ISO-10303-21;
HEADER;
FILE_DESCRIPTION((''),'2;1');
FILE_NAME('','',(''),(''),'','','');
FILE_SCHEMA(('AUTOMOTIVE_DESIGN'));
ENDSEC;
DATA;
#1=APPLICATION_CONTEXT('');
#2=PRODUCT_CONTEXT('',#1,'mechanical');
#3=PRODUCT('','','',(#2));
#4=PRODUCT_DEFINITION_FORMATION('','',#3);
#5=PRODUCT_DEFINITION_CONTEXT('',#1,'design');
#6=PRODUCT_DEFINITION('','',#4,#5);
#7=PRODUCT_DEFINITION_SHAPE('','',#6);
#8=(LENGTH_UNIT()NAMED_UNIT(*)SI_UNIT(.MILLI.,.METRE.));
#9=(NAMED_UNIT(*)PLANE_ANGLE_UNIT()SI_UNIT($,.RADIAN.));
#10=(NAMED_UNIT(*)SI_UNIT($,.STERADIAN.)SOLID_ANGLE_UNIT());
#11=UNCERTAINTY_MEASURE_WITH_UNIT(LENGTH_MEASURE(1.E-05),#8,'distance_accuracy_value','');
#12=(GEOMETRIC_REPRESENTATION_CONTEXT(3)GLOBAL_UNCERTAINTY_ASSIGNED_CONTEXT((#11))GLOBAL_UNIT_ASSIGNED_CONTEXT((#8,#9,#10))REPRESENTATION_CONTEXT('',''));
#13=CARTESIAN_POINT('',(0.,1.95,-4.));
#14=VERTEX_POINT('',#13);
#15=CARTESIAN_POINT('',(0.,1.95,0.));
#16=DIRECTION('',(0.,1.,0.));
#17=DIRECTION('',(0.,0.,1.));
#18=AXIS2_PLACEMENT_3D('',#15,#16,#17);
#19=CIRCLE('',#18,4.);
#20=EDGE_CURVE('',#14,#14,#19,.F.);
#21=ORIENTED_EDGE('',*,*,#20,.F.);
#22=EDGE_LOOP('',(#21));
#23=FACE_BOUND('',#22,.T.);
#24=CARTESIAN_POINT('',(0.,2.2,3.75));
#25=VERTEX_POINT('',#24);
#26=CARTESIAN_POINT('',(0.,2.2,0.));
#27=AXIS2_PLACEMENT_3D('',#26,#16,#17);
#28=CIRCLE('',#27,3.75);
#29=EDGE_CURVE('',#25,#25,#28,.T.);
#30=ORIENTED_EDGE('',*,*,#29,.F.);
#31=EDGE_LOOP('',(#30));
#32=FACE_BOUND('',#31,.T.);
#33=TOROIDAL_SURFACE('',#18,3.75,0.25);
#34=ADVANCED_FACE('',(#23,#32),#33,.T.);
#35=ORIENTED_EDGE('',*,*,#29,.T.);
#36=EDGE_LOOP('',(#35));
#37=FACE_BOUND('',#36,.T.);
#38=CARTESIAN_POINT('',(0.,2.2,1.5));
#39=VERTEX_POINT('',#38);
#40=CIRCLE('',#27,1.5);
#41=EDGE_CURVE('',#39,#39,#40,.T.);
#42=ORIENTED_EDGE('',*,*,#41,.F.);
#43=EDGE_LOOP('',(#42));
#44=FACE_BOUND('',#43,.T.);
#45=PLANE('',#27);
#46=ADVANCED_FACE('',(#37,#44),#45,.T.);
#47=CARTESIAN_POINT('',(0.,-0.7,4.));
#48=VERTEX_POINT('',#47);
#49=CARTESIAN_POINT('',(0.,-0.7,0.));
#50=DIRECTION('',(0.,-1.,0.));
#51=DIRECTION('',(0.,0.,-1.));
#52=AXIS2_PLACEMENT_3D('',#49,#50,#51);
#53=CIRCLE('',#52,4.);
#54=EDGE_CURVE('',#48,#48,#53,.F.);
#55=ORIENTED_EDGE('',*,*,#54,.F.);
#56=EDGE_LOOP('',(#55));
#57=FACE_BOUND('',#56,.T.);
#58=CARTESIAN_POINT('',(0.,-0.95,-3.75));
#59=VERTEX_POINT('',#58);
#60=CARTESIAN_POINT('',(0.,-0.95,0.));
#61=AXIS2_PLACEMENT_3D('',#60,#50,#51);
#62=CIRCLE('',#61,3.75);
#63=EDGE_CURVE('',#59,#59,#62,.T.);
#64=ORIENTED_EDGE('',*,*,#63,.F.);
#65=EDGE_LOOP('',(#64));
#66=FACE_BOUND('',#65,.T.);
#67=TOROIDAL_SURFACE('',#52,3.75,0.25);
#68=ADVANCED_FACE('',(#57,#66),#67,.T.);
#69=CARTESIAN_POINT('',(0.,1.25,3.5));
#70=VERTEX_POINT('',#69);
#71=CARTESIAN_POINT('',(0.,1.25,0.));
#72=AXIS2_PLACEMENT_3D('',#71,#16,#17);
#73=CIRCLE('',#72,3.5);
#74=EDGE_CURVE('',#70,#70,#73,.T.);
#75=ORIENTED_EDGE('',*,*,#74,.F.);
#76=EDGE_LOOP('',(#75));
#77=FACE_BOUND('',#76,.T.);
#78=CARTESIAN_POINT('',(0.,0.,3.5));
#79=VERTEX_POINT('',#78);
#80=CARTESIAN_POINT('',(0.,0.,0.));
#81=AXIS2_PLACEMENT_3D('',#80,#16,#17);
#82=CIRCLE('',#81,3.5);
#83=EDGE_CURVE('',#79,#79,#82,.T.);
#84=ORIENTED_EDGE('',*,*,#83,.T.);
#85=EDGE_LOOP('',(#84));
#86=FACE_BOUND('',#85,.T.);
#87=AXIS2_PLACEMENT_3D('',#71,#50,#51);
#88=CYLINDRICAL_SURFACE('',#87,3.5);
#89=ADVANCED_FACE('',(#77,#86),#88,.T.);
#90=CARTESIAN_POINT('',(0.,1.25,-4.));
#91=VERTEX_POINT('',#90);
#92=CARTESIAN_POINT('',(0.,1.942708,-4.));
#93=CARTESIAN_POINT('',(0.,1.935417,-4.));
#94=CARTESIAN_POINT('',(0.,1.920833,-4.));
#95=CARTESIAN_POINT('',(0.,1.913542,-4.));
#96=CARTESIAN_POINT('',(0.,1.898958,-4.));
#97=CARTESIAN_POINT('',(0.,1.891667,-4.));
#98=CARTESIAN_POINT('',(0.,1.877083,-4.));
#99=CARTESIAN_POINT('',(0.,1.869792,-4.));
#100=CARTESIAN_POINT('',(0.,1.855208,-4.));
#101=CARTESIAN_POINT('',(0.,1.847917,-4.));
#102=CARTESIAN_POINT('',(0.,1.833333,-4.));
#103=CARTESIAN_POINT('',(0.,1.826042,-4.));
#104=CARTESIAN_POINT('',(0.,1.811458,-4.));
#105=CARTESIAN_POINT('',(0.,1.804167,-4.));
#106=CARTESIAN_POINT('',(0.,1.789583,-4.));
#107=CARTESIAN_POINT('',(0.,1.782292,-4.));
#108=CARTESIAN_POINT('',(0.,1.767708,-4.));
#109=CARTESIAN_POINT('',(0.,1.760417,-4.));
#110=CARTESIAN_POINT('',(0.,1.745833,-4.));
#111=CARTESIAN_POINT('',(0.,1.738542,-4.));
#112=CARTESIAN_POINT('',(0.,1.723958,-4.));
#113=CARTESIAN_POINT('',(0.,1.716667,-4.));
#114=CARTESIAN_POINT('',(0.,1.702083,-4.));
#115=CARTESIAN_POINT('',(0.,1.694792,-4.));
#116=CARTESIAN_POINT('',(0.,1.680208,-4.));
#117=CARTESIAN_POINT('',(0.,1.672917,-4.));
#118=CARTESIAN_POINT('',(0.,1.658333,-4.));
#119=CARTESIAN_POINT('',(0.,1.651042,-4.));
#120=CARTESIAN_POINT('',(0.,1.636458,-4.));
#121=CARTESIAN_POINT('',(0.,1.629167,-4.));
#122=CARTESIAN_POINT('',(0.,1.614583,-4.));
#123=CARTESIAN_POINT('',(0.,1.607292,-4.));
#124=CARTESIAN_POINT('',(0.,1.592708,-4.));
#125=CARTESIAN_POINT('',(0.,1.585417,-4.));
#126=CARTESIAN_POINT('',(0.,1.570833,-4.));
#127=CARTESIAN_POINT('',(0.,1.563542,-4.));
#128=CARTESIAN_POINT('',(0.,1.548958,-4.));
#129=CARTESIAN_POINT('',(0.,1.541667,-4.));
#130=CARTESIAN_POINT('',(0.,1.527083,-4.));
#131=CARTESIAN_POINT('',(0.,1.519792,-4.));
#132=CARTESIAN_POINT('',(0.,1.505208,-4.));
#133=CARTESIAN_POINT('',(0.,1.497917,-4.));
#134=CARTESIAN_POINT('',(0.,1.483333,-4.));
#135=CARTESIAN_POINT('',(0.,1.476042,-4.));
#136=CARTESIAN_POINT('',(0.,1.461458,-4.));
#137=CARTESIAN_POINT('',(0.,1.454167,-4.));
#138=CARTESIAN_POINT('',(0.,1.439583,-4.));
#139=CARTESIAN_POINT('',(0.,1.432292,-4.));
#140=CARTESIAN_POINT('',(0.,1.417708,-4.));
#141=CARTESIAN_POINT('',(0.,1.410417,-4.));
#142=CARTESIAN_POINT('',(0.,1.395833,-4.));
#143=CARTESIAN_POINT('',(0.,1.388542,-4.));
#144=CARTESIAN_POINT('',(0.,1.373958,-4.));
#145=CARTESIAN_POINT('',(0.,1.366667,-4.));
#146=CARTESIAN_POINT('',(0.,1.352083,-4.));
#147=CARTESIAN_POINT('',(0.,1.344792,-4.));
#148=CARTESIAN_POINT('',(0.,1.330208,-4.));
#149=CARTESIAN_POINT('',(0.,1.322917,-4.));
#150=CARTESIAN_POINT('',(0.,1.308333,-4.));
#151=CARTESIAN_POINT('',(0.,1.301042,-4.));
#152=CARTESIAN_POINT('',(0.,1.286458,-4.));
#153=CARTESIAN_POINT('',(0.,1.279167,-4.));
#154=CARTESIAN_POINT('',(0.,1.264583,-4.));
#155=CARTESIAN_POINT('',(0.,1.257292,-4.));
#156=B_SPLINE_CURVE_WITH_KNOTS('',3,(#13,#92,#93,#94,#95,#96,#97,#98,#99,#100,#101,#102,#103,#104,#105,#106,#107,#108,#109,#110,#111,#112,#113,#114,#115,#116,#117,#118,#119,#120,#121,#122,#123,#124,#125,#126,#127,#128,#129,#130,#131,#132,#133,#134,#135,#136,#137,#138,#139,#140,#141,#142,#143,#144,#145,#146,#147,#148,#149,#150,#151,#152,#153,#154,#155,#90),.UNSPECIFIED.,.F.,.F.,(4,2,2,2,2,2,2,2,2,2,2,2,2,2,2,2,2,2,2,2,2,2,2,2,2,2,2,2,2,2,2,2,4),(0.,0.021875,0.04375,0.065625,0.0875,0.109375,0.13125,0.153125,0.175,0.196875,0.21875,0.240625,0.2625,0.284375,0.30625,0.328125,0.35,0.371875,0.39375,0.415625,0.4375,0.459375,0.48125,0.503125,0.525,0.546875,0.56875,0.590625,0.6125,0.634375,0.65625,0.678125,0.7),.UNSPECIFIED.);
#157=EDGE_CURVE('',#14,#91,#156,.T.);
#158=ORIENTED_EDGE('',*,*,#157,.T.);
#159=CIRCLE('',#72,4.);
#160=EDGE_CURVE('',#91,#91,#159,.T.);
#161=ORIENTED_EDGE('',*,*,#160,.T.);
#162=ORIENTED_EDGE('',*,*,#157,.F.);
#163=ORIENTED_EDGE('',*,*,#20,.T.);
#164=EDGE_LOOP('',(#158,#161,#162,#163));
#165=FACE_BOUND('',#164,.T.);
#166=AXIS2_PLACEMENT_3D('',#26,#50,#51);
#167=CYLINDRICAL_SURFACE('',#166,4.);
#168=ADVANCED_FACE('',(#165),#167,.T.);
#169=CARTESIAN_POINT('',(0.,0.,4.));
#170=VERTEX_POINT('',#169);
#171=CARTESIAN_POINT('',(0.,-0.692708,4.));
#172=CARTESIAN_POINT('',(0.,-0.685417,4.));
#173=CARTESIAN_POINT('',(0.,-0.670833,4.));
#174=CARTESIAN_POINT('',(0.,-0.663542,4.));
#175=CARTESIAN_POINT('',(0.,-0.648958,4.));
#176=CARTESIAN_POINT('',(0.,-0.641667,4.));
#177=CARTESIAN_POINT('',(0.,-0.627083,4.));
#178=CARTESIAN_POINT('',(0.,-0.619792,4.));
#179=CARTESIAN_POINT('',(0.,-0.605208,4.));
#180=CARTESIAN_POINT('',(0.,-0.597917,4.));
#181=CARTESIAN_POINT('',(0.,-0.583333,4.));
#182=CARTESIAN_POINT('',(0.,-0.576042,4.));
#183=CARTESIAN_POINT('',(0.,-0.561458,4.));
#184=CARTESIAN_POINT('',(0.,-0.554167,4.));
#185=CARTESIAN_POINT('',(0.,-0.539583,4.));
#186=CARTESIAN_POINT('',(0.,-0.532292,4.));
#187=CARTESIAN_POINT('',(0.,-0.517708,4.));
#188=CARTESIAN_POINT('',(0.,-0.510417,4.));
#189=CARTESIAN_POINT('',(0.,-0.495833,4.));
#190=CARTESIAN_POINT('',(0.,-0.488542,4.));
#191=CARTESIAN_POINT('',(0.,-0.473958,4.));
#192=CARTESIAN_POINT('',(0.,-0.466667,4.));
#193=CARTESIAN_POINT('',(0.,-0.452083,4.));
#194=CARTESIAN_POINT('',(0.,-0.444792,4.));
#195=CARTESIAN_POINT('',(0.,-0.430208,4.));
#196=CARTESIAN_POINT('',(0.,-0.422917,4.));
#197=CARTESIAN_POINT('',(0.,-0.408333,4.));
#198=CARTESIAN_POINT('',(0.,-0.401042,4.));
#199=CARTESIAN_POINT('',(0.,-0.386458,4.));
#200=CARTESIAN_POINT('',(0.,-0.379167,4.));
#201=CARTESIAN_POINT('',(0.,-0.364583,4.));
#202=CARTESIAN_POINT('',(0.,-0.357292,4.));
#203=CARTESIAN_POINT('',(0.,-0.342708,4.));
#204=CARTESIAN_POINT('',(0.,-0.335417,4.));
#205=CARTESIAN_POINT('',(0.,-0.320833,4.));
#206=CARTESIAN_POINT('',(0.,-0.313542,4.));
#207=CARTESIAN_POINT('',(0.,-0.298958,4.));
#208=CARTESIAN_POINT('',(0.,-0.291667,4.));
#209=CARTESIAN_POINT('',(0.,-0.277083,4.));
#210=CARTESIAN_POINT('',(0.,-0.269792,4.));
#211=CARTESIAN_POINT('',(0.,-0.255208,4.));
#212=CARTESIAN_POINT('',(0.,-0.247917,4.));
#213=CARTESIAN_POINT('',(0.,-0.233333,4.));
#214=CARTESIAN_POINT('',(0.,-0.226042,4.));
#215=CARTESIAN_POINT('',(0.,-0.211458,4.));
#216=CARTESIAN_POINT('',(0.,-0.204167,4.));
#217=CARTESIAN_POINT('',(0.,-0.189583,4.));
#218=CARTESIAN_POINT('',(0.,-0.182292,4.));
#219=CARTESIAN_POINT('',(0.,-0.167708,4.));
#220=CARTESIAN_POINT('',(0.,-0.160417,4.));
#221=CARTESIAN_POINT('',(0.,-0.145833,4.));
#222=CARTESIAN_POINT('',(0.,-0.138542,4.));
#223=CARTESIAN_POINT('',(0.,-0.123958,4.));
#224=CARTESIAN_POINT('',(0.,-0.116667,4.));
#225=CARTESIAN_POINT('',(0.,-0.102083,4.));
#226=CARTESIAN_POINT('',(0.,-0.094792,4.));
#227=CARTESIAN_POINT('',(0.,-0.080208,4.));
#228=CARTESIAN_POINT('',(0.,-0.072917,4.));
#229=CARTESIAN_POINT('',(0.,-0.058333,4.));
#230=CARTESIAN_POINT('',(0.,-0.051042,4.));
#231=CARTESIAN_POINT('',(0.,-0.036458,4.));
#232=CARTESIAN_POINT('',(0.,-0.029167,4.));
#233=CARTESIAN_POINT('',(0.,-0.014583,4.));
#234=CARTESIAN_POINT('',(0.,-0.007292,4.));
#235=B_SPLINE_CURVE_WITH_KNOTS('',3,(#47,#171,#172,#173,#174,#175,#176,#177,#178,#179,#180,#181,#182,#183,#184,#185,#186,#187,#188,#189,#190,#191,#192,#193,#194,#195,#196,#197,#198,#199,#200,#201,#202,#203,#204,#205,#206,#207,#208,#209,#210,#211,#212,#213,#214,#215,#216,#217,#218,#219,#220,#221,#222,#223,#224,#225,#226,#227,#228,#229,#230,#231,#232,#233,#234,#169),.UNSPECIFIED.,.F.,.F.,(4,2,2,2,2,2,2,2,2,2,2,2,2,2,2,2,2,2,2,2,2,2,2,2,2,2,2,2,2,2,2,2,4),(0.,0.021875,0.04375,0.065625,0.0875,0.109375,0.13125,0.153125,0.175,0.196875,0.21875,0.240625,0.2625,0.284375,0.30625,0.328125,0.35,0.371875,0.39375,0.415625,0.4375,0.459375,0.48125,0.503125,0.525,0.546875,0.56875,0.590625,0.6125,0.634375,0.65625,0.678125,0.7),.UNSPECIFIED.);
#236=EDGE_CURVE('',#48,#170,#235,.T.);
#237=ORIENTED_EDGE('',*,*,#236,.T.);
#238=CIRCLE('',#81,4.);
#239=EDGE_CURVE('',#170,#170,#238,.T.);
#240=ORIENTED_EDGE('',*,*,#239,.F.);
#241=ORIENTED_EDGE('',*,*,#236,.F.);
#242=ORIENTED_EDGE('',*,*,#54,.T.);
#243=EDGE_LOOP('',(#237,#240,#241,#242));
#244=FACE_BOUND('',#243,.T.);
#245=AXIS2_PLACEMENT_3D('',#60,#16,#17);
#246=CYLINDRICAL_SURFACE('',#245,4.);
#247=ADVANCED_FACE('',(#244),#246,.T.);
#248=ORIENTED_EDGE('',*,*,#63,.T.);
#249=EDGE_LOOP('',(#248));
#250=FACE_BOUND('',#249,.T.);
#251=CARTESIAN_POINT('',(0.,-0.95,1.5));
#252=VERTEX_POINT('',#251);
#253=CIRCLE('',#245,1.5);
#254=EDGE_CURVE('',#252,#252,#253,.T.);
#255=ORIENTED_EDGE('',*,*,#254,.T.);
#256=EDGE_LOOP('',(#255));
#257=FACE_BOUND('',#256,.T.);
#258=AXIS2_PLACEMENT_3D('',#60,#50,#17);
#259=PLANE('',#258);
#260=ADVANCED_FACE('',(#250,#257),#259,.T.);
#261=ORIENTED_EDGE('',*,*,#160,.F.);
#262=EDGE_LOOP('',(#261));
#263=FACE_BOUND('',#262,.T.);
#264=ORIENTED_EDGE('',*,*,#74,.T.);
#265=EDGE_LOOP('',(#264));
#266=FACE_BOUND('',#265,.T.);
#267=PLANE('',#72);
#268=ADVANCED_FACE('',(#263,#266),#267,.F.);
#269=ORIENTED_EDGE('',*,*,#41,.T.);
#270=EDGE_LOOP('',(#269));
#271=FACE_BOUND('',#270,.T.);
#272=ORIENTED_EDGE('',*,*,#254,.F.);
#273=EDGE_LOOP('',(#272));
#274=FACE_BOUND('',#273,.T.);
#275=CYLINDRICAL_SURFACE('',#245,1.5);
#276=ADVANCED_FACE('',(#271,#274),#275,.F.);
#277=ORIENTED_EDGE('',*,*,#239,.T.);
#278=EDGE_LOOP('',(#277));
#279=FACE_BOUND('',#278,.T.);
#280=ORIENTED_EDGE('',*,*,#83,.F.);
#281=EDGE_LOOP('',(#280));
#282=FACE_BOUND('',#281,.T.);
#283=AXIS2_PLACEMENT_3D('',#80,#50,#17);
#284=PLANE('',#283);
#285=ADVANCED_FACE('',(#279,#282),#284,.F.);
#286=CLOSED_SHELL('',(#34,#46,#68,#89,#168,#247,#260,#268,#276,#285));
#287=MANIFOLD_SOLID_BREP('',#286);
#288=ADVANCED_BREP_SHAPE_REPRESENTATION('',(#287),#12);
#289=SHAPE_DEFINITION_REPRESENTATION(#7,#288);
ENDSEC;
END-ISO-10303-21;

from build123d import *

# Parameters (mm, degrees)
CROQUIS_BASE_R           = 3.5
SALIENTE_EXTRUIR3_DEPTH  = 1.25
CROQUIS_CAP_R            = 4
SALIENTE_EXTRUIR4_DEPTH  = 0.95
REDONDEO1_R              = 0.25
REDONDEO1_OF_SIMETR_A1_R = 0.25
CROQUIS_BARRENO_R        = 1.5
CORTAR_EXTRUIR1_DEPTH    = 7.474758683


with BuildPart() as part:
    # Croquis base → Saliente-Extruir3 (new body)
    with BuildSketch(Plane(origin=(0, 0, 0), x_dir=(1, 0, 0), z_dir=(0, 1, 0))):
        with Locations(Location((0, 0, 0), (0, 0, 270))):
            Circle(CROQUIS_BASE_R)
    extrude(amount=SALIENTE_EXTRUIR3_DEPTH)

    # Croquis cap → Saliente-Extruir4 (add)
    with BuildSketch(Plane(origin=(0, 1.25, 0), x_dir=(1, 0, 0), z_dir=(0, 1, 0))):
        with Locations(Location((0, 0, 0), (0, 0, 90))):
            Circle(CROQUIS_CAP_R)
    saliente_extruir4 = extrude(amount=SALIENTE_EXTRUIR4_DEPTH)

    # Redondeo1
    redondeo1_edges = [part.edges().sort_by_distance(p)[0] for p in [
        (0, 2.2, 4),
    ]]
    fillet(redondeo1_edges, radius=REDONDEO1_R)

    # Simetría1: Saliente-Extruir4 across plane
    add(saliente_extruir4.mirror(Plane.ZX.offset(0.625)))

    # Redondeo1 of Simetría1
    redondeo1_of_simetr_a1_edges = [part.edges().sort_by_distance(p)[0] for p in [
        (0, -0.95, 4),
    ]]
    fillet(redondeo1_of_simetr_a1_edges, radius=REDONDEO1_OF_SIMETR_A1_R)

    # Croquis barreno → Cortar-Extruir1 (cut, through all)
    with BuildSketch(Plane(origin=(0, 2.2, 0), x_dir=(1, 0, 0), z_dir=(0, 1, 0))):
        with Locations(Location((0, 0, 0), (0, 0, 270))):
            Circle(CROQUIS_BARRENO_R)
    extrude(amount=-CORTAR_EXTRUIR1_DEPTH, mode=Mode.SUBTRACT)


solid = part.part
